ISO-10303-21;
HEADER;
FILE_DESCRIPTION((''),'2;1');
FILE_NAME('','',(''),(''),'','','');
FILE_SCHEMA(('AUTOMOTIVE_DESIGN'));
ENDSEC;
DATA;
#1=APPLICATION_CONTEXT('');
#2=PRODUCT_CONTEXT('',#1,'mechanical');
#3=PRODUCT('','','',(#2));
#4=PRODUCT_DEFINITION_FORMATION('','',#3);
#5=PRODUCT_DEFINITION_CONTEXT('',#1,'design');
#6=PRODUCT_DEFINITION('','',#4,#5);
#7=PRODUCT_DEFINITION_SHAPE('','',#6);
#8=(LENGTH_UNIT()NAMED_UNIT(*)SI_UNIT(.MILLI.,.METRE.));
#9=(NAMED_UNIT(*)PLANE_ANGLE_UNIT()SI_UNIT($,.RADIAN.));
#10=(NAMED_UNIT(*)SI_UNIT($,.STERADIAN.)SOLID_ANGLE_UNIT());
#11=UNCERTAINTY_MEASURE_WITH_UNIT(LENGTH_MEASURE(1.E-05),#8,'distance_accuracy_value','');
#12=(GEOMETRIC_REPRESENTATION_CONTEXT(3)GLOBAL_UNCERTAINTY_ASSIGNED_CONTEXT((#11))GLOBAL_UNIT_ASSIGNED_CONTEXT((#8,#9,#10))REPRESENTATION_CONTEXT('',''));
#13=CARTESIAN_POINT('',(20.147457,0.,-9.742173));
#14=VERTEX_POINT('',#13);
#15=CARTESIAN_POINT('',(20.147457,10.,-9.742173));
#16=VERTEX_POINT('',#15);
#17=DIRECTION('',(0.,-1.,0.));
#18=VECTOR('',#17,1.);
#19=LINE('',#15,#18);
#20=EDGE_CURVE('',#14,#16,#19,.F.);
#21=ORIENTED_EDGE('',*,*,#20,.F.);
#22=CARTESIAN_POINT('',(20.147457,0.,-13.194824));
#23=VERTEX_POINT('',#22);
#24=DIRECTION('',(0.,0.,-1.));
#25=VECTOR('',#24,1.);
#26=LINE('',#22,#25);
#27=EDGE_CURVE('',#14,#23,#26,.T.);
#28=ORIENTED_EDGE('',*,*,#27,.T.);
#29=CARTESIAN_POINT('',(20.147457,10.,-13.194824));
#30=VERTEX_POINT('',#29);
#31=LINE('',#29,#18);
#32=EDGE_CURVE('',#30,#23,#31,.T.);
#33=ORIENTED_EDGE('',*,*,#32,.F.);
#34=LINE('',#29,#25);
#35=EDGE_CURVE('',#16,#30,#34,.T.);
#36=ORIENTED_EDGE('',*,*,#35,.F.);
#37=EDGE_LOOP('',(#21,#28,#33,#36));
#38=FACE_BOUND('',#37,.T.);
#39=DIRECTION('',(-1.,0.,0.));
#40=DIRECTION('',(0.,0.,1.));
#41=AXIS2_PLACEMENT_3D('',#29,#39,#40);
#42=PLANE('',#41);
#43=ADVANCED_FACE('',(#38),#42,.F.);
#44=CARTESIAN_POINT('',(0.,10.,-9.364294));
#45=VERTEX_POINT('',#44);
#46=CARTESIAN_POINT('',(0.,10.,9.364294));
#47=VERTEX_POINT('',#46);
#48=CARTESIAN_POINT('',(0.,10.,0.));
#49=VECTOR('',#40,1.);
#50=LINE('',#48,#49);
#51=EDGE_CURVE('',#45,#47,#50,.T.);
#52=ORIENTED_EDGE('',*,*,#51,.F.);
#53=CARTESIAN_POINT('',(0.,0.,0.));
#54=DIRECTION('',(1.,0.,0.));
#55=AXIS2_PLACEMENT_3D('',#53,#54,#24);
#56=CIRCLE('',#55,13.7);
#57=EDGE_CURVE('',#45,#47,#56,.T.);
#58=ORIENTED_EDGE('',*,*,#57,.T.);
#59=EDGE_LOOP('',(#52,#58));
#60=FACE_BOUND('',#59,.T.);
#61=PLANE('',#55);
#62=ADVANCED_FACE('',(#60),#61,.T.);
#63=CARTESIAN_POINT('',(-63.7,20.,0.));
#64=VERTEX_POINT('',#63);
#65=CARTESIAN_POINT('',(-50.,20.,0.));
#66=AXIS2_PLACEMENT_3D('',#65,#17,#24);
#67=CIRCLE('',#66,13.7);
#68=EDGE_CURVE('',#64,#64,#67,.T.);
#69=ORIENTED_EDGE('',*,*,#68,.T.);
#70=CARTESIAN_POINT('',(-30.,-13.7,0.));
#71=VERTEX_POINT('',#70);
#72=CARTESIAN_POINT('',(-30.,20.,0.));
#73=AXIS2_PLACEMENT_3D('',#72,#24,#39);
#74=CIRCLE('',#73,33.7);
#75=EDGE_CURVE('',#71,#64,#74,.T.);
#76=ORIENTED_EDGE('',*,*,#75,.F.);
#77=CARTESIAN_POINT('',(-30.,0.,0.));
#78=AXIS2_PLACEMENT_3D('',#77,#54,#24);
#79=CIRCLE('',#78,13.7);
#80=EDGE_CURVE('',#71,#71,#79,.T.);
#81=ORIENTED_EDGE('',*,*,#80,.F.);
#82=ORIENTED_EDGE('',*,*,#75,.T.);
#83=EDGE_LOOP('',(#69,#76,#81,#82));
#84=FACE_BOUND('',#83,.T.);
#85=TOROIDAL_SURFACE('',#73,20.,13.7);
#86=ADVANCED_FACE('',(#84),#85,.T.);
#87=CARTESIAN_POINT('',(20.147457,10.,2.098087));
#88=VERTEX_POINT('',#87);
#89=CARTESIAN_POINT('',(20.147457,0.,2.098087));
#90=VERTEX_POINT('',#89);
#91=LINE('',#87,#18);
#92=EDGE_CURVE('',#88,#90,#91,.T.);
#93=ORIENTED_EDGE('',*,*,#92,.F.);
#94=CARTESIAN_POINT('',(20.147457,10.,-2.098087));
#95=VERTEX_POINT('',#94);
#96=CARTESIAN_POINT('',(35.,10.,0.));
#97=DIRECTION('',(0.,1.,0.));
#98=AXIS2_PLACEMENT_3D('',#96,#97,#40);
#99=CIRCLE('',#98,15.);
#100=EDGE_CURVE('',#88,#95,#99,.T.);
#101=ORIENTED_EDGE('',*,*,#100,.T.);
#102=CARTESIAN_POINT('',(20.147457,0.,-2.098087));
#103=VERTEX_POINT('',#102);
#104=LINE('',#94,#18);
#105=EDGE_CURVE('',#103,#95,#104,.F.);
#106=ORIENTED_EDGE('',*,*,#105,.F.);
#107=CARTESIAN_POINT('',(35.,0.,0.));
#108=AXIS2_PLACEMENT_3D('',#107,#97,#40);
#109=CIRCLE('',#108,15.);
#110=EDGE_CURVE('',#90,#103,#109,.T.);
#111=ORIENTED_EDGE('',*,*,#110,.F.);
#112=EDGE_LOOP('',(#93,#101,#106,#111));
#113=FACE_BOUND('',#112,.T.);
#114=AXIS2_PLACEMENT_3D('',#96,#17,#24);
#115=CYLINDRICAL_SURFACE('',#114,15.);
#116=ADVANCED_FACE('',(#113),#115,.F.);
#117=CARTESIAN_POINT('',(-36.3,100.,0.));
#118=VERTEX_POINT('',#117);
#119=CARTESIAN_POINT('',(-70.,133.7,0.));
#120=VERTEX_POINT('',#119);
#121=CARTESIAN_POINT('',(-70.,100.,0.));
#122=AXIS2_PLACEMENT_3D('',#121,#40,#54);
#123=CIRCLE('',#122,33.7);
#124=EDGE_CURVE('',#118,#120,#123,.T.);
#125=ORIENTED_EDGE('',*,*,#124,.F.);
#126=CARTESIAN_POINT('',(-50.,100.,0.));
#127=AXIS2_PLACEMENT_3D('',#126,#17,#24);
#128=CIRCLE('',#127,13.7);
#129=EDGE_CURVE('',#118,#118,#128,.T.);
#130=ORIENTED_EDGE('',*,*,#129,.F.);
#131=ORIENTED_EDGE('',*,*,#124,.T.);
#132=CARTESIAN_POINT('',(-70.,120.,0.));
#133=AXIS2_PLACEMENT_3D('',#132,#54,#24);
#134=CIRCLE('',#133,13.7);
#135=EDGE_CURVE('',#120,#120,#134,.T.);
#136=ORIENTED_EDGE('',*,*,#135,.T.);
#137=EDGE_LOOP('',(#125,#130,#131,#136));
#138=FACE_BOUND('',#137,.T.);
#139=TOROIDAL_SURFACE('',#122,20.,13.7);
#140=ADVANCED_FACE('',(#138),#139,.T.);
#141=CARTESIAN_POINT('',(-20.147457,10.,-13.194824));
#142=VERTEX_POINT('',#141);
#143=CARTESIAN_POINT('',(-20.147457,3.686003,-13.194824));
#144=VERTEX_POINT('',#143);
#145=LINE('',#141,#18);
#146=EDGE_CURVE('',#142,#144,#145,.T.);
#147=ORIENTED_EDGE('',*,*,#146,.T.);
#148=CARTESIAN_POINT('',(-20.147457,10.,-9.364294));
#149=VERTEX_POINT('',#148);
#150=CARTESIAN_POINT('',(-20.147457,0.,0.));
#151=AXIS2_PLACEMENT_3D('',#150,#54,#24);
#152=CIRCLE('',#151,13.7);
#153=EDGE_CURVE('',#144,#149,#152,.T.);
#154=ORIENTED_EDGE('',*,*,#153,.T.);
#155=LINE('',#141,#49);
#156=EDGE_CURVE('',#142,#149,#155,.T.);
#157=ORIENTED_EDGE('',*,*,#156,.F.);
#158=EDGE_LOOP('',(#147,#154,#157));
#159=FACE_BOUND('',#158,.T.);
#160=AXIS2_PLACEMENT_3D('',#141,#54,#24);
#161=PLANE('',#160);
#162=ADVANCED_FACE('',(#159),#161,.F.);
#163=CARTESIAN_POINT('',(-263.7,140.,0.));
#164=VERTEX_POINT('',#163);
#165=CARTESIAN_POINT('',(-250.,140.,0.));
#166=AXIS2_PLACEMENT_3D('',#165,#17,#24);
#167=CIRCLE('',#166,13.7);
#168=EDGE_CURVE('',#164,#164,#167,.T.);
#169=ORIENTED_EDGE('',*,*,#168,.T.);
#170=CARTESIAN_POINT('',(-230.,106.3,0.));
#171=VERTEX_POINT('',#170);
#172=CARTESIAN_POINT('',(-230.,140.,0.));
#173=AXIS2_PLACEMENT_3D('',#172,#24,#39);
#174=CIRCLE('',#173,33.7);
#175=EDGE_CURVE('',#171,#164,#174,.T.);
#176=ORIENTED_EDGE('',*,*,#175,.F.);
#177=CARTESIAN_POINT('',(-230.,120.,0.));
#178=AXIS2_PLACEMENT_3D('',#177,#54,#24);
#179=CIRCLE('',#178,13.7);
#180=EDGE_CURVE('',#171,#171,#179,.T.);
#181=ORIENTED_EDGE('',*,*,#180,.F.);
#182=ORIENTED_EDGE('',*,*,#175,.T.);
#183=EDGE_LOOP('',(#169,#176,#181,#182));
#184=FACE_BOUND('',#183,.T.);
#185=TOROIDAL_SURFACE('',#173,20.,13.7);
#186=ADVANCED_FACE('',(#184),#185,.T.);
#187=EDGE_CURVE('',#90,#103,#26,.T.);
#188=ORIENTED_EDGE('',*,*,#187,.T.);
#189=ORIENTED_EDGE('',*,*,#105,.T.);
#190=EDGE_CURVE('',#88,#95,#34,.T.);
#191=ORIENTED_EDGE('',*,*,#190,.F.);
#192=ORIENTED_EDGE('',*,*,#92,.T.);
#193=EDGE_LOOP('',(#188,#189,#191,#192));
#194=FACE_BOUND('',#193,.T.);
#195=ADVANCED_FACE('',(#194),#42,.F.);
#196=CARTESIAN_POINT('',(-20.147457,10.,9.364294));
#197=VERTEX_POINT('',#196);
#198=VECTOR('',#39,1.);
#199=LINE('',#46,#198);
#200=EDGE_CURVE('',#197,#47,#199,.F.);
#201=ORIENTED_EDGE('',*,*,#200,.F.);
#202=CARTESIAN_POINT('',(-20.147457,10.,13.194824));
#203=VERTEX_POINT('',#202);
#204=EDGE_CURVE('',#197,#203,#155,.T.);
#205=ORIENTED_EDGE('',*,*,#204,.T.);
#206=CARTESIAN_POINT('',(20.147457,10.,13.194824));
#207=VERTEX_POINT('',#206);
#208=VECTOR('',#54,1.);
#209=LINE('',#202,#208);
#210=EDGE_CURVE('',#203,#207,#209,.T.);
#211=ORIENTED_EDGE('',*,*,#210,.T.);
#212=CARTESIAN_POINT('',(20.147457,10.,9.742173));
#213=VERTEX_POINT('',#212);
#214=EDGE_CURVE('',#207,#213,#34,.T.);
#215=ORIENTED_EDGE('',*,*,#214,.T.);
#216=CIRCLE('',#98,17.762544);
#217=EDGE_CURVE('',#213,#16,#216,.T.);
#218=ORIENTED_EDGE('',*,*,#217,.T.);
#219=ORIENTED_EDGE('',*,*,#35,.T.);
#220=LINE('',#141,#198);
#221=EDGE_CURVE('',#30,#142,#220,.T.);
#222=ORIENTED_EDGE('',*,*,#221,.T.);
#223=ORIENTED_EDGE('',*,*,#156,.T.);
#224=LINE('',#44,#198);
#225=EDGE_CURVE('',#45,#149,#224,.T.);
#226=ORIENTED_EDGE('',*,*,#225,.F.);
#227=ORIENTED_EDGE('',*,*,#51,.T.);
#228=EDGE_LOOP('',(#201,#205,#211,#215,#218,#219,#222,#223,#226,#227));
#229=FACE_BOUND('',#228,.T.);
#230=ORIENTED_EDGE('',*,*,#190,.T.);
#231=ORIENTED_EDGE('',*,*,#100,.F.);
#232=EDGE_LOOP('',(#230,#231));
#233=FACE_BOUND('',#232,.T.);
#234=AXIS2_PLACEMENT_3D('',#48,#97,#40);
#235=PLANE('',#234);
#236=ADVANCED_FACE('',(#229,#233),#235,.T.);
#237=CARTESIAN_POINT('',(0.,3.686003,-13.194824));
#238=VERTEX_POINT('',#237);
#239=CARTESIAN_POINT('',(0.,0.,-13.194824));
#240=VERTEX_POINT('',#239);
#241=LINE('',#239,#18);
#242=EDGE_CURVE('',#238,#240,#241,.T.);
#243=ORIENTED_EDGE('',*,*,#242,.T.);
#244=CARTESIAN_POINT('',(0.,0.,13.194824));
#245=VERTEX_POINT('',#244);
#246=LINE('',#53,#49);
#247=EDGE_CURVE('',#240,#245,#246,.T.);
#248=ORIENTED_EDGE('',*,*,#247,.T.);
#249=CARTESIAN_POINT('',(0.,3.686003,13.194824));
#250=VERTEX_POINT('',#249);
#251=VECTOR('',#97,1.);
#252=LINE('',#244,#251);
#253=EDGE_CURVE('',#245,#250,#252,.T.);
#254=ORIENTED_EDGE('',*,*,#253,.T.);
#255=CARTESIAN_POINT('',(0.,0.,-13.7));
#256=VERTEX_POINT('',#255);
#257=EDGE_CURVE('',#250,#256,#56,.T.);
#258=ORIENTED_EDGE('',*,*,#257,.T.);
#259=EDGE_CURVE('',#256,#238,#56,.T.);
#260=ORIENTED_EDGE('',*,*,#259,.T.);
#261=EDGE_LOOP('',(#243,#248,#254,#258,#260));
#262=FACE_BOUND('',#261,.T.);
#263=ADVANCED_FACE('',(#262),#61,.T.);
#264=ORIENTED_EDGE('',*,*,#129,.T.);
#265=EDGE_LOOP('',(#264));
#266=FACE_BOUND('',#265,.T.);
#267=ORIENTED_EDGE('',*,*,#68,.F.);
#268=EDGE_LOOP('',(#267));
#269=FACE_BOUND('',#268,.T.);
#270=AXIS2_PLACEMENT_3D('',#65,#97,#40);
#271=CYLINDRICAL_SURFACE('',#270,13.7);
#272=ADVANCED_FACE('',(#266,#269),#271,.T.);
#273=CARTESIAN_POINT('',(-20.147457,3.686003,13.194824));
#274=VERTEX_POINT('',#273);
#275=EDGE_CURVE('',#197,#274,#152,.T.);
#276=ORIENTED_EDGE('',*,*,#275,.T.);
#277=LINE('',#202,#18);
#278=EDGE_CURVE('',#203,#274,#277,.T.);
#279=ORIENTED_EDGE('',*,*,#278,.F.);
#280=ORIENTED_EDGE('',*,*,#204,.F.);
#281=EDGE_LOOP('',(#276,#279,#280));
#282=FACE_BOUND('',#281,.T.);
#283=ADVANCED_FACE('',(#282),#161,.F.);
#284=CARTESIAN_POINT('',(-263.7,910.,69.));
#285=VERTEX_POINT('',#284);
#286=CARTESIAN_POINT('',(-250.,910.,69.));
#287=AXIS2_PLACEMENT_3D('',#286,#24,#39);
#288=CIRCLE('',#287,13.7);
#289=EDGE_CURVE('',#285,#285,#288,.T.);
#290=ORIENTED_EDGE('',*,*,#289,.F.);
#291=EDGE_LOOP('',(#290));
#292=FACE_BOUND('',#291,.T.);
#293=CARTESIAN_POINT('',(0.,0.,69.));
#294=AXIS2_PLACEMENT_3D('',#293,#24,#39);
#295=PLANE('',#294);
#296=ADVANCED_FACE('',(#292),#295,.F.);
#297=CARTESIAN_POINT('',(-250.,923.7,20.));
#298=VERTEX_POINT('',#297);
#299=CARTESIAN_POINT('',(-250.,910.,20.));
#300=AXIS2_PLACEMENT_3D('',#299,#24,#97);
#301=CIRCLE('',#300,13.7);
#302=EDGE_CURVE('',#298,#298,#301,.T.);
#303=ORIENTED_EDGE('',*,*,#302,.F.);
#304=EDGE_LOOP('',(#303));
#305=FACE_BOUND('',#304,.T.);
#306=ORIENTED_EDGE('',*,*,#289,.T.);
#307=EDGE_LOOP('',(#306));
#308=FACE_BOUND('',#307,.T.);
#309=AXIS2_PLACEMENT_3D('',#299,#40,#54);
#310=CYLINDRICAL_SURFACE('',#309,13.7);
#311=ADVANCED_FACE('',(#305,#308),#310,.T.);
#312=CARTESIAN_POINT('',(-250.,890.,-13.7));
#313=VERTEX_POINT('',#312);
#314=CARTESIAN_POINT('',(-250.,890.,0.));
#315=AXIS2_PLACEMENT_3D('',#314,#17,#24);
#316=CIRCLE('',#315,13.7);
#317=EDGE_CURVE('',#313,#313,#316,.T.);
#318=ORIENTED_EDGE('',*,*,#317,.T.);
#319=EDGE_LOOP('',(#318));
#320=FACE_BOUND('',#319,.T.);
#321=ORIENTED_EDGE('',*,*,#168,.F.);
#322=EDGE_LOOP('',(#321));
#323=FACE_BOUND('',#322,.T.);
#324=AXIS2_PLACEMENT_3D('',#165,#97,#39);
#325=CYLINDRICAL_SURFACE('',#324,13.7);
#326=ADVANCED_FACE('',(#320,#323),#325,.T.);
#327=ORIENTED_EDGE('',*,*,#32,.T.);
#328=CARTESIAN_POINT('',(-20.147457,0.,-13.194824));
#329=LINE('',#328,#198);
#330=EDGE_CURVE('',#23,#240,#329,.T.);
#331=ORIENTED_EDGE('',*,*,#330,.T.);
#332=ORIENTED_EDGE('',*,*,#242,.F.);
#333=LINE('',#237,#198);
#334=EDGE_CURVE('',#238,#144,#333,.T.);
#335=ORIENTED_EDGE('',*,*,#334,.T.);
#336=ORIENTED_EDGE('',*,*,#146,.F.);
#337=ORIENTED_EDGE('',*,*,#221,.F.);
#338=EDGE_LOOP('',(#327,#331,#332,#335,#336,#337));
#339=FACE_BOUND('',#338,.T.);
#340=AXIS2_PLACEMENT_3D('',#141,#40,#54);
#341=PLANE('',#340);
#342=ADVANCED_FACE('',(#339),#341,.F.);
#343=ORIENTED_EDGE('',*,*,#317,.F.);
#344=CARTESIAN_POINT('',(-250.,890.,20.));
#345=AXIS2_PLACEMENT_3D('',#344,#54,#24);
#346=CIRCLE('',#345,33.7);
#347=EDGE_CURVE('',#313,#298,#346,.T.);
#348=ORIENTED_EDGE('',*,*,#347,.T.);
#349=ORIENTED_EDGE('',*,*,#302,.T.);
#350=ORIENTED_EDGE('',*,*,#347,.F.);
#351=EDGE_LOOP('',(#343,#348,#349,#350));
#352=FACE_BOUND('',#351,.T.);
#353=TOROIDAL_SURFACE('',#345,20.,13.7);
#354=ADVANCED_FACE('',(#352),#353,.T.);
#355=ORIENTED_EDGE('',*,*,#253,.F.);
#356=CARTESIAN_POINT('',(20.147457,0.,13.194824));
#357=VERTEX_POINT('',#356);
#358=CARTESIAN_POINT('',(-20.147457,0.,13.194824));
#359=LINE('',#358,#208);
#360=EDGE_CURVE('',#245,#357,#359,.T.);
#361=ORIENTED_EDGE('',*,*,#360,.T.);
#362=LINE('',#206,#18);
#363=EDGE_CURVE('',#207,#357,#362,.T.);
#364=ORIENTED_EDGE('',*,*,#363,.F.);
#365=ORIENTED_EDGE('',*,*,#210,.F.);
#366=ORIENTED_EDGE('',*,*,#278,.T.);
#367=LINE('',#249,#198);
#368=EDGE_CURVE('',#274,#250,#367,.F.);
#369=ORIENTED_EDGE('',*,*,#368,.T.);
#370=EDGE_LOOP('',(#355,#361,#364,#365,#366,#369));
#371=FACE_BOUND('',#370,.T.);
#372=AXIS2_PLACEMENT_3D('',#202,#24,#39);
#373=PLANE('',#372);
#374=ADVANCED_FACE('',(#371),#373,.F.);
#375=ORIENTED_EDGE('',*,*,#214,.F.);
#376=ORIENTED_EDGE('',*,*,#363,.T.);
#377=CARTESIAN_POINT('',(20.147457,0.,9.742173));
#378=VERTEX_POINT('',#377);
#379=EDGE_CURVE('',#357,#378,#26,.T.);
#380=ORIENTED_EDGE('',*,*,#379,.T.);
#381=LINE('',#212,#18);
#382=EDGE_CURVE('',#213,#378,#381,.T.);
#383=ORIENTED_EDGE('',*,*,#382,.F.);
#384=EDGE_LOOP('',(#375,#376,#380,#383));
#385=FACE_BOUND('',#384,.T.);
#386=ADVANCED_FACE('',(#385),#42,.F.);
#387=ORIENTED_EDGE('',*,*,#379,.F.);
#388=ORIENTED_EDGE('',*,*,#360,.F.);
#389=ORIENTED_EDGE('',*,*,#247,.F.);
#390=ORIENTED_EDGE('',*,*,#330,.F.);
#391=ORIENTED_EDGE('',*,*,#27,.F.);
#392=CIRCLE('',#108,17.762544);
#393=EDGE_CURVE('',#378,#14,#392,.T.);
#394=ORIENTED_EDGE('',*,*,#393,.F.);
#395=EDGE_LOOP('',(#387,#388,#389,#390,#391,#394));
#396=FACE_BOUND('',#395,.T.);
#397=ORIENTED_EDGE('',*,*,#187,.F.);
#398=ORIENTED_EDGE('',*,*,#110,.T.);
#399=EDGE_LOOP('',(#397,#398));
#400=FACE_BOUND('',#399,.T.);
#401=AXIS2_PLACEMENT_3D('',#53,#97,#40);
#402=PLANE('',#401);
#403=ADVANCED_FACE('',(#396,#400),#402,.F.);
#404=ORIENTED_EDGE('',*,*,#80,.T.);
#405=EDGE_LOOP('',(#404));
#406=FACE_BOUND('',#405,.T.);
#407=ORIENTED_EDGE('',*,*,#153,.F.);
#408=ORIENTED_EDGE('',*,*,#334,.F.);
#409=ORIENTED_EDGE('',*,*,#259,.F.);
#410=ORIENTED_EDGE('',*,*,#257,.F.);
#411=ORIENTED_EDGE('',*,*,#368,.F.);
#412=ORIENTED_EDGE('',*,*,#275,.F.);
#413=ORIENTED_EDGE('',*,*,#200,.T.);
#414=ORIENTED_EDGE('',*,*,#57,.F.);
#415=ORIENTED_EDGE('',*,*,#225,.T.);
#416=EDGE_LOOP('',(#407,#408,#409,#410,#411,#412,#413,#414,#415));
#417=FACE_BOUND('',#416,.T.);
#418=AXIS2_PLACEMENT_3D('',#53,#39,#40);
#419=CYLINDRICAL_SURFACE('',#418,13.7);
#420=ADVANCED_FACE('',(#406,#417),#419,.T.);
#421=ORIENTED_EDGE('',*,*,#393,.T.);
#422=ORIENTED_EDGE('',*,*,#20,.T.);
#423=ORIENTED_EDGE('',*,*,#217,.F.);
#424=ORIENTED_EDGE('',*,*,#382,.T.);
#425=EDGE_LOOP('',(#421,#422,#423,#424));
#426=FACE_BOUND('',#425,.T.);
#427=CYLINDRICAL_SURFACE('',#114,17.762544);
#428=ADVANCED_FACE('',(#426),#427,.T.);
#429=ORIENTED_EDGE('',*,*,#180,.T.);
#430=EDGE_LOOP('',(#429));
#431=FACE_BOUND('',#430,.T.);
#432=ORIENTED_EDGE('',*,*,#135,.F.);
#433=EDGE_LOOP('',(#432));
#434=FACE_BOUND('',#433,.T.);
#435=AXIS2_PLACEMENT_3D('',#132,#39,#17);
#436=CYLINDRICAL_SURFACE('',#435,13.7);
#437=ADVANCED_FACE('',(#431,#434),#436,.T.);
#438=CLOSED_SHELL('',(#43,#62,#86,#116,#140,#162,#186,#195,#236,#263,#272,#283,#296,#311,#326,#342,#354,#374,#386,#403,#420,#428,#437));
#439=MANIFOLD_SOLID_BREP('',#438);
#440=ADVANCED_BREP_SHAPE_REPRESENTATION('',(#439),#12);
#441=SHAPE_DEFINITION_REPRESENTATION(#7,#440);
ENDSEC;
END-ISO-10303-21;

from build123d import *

# Parameters (mm, degrees)
CROQUIS1_R              = 13.7
CROQUIS2_W              = 104.810760898
CROQUIS2_H              = 208.017118972
CORTAR_EXTRUIR2_DEPTH   = 81
CROQUIS3_R              = 17.762543943
CROQUIS3_R_2            = 15
SALIENTE_EXTRUIR1_DEPTH = 10
CROQUIS4_W              = 40.294914154
CROQUIS4_H              = 26.389647966
SALIENTE_EXTRUIR2_DEPTH = 10


with BuildPart() as part:
    # Barrer1: sweep along a curve in space
    with BuildLine() as barrer1_path:
        Line((0, 0, 0), (-30, 0, 0))
        ThreePointArc((-30, 0, 0), (-44.142135624, 5.857864376, 0), (-50, 20, 0))
        Line((-50, 20, 0), (-50, 100, 0))
        ThreePointArc((-50, 100, 0), (-55.857864376, 114.142135624, 0), (-70, 120, 0))
        Line((-70, 120, 0), (-230, 120, 0))
        ThreePointArc((-230, 120, 0), (-244.142135624, 125.857864376, 0), (-250, 140, 0))
        Line((-250, 140, 0), (-250, 890, 0))
        ThreePointArc((-250, 890, 0), (-250, 904.142135624, 5.857864376), (-250, 910, 20))
        Line((-250, 910, 20), (-250, 910, 80))
        ThreePointArc((-250, 910, 80), (-250, 915.857864376, 94.142135624), (-250, 930, 100))
        Line((-250, 930, 100), (-250, 940, 100))
        ThreePointArc((-250, 940, 100), (-250, 954.142135624, 105.857864376), (-250, 960, 120))
        Line((-250, 960, 120), (-250, 960, 150))
    # Croquis1 → Barrer1 (sweep)
    with BuildSketch(Plane(origin=(0, 0, 0), x_dir=(0, 0, -1), z_dir=(1, 0, 0))):
        Circle(CROQUIS1_R)
    sweep(path=barrer1_path.line)

    # Croquis2 → Cortar-Extruir2 (cut)
    with BuildSketch(Plane.XY.offset(150)):
        with Locations((-250, 960)):
            Rectangle(CROQUIS2_W, CROQUIS2_H)
    extrude(amount=-CORTAR_EXTRUIR2_DEPTH, mode=Mode.SUBTRACT)



with BuildPart() as body_2:
    # Croquis3 → Saliente-Extruir1 (new body)
    with BuildSketch(Plane(origin=(0, 0, 0), x_dir=(1, 0, 0), z_dir=(0, 1, 0))):
        with Locations((35, 0)):
            Circle(CROQUIS3_R)
        with Locations((35, 0)):
            Circle(CROQUIS3_R_2, mode=Mode.SUBTRACT)
    extrude(amount=SALIENTE_EXTRUIR1_DEPTH)


with BuildPart() as part_1:
    add(part.part)

    add(body_2.part)  # Saliente-Extruir2 merges body 2
    # Croquis4 → Saliente-Extruir2 (add)
    with BuildSketch(Plane(origin=(0, 0, 0), x_dir=(1, 0, 0), z_dir=(0, 1, 0))):
        Rectangle(CROQUIS4_W, CROQUIS4_H)
    extrude(amount=SALIENTE_EXTRUIR2_DEPTH)


solid = part_1.part
